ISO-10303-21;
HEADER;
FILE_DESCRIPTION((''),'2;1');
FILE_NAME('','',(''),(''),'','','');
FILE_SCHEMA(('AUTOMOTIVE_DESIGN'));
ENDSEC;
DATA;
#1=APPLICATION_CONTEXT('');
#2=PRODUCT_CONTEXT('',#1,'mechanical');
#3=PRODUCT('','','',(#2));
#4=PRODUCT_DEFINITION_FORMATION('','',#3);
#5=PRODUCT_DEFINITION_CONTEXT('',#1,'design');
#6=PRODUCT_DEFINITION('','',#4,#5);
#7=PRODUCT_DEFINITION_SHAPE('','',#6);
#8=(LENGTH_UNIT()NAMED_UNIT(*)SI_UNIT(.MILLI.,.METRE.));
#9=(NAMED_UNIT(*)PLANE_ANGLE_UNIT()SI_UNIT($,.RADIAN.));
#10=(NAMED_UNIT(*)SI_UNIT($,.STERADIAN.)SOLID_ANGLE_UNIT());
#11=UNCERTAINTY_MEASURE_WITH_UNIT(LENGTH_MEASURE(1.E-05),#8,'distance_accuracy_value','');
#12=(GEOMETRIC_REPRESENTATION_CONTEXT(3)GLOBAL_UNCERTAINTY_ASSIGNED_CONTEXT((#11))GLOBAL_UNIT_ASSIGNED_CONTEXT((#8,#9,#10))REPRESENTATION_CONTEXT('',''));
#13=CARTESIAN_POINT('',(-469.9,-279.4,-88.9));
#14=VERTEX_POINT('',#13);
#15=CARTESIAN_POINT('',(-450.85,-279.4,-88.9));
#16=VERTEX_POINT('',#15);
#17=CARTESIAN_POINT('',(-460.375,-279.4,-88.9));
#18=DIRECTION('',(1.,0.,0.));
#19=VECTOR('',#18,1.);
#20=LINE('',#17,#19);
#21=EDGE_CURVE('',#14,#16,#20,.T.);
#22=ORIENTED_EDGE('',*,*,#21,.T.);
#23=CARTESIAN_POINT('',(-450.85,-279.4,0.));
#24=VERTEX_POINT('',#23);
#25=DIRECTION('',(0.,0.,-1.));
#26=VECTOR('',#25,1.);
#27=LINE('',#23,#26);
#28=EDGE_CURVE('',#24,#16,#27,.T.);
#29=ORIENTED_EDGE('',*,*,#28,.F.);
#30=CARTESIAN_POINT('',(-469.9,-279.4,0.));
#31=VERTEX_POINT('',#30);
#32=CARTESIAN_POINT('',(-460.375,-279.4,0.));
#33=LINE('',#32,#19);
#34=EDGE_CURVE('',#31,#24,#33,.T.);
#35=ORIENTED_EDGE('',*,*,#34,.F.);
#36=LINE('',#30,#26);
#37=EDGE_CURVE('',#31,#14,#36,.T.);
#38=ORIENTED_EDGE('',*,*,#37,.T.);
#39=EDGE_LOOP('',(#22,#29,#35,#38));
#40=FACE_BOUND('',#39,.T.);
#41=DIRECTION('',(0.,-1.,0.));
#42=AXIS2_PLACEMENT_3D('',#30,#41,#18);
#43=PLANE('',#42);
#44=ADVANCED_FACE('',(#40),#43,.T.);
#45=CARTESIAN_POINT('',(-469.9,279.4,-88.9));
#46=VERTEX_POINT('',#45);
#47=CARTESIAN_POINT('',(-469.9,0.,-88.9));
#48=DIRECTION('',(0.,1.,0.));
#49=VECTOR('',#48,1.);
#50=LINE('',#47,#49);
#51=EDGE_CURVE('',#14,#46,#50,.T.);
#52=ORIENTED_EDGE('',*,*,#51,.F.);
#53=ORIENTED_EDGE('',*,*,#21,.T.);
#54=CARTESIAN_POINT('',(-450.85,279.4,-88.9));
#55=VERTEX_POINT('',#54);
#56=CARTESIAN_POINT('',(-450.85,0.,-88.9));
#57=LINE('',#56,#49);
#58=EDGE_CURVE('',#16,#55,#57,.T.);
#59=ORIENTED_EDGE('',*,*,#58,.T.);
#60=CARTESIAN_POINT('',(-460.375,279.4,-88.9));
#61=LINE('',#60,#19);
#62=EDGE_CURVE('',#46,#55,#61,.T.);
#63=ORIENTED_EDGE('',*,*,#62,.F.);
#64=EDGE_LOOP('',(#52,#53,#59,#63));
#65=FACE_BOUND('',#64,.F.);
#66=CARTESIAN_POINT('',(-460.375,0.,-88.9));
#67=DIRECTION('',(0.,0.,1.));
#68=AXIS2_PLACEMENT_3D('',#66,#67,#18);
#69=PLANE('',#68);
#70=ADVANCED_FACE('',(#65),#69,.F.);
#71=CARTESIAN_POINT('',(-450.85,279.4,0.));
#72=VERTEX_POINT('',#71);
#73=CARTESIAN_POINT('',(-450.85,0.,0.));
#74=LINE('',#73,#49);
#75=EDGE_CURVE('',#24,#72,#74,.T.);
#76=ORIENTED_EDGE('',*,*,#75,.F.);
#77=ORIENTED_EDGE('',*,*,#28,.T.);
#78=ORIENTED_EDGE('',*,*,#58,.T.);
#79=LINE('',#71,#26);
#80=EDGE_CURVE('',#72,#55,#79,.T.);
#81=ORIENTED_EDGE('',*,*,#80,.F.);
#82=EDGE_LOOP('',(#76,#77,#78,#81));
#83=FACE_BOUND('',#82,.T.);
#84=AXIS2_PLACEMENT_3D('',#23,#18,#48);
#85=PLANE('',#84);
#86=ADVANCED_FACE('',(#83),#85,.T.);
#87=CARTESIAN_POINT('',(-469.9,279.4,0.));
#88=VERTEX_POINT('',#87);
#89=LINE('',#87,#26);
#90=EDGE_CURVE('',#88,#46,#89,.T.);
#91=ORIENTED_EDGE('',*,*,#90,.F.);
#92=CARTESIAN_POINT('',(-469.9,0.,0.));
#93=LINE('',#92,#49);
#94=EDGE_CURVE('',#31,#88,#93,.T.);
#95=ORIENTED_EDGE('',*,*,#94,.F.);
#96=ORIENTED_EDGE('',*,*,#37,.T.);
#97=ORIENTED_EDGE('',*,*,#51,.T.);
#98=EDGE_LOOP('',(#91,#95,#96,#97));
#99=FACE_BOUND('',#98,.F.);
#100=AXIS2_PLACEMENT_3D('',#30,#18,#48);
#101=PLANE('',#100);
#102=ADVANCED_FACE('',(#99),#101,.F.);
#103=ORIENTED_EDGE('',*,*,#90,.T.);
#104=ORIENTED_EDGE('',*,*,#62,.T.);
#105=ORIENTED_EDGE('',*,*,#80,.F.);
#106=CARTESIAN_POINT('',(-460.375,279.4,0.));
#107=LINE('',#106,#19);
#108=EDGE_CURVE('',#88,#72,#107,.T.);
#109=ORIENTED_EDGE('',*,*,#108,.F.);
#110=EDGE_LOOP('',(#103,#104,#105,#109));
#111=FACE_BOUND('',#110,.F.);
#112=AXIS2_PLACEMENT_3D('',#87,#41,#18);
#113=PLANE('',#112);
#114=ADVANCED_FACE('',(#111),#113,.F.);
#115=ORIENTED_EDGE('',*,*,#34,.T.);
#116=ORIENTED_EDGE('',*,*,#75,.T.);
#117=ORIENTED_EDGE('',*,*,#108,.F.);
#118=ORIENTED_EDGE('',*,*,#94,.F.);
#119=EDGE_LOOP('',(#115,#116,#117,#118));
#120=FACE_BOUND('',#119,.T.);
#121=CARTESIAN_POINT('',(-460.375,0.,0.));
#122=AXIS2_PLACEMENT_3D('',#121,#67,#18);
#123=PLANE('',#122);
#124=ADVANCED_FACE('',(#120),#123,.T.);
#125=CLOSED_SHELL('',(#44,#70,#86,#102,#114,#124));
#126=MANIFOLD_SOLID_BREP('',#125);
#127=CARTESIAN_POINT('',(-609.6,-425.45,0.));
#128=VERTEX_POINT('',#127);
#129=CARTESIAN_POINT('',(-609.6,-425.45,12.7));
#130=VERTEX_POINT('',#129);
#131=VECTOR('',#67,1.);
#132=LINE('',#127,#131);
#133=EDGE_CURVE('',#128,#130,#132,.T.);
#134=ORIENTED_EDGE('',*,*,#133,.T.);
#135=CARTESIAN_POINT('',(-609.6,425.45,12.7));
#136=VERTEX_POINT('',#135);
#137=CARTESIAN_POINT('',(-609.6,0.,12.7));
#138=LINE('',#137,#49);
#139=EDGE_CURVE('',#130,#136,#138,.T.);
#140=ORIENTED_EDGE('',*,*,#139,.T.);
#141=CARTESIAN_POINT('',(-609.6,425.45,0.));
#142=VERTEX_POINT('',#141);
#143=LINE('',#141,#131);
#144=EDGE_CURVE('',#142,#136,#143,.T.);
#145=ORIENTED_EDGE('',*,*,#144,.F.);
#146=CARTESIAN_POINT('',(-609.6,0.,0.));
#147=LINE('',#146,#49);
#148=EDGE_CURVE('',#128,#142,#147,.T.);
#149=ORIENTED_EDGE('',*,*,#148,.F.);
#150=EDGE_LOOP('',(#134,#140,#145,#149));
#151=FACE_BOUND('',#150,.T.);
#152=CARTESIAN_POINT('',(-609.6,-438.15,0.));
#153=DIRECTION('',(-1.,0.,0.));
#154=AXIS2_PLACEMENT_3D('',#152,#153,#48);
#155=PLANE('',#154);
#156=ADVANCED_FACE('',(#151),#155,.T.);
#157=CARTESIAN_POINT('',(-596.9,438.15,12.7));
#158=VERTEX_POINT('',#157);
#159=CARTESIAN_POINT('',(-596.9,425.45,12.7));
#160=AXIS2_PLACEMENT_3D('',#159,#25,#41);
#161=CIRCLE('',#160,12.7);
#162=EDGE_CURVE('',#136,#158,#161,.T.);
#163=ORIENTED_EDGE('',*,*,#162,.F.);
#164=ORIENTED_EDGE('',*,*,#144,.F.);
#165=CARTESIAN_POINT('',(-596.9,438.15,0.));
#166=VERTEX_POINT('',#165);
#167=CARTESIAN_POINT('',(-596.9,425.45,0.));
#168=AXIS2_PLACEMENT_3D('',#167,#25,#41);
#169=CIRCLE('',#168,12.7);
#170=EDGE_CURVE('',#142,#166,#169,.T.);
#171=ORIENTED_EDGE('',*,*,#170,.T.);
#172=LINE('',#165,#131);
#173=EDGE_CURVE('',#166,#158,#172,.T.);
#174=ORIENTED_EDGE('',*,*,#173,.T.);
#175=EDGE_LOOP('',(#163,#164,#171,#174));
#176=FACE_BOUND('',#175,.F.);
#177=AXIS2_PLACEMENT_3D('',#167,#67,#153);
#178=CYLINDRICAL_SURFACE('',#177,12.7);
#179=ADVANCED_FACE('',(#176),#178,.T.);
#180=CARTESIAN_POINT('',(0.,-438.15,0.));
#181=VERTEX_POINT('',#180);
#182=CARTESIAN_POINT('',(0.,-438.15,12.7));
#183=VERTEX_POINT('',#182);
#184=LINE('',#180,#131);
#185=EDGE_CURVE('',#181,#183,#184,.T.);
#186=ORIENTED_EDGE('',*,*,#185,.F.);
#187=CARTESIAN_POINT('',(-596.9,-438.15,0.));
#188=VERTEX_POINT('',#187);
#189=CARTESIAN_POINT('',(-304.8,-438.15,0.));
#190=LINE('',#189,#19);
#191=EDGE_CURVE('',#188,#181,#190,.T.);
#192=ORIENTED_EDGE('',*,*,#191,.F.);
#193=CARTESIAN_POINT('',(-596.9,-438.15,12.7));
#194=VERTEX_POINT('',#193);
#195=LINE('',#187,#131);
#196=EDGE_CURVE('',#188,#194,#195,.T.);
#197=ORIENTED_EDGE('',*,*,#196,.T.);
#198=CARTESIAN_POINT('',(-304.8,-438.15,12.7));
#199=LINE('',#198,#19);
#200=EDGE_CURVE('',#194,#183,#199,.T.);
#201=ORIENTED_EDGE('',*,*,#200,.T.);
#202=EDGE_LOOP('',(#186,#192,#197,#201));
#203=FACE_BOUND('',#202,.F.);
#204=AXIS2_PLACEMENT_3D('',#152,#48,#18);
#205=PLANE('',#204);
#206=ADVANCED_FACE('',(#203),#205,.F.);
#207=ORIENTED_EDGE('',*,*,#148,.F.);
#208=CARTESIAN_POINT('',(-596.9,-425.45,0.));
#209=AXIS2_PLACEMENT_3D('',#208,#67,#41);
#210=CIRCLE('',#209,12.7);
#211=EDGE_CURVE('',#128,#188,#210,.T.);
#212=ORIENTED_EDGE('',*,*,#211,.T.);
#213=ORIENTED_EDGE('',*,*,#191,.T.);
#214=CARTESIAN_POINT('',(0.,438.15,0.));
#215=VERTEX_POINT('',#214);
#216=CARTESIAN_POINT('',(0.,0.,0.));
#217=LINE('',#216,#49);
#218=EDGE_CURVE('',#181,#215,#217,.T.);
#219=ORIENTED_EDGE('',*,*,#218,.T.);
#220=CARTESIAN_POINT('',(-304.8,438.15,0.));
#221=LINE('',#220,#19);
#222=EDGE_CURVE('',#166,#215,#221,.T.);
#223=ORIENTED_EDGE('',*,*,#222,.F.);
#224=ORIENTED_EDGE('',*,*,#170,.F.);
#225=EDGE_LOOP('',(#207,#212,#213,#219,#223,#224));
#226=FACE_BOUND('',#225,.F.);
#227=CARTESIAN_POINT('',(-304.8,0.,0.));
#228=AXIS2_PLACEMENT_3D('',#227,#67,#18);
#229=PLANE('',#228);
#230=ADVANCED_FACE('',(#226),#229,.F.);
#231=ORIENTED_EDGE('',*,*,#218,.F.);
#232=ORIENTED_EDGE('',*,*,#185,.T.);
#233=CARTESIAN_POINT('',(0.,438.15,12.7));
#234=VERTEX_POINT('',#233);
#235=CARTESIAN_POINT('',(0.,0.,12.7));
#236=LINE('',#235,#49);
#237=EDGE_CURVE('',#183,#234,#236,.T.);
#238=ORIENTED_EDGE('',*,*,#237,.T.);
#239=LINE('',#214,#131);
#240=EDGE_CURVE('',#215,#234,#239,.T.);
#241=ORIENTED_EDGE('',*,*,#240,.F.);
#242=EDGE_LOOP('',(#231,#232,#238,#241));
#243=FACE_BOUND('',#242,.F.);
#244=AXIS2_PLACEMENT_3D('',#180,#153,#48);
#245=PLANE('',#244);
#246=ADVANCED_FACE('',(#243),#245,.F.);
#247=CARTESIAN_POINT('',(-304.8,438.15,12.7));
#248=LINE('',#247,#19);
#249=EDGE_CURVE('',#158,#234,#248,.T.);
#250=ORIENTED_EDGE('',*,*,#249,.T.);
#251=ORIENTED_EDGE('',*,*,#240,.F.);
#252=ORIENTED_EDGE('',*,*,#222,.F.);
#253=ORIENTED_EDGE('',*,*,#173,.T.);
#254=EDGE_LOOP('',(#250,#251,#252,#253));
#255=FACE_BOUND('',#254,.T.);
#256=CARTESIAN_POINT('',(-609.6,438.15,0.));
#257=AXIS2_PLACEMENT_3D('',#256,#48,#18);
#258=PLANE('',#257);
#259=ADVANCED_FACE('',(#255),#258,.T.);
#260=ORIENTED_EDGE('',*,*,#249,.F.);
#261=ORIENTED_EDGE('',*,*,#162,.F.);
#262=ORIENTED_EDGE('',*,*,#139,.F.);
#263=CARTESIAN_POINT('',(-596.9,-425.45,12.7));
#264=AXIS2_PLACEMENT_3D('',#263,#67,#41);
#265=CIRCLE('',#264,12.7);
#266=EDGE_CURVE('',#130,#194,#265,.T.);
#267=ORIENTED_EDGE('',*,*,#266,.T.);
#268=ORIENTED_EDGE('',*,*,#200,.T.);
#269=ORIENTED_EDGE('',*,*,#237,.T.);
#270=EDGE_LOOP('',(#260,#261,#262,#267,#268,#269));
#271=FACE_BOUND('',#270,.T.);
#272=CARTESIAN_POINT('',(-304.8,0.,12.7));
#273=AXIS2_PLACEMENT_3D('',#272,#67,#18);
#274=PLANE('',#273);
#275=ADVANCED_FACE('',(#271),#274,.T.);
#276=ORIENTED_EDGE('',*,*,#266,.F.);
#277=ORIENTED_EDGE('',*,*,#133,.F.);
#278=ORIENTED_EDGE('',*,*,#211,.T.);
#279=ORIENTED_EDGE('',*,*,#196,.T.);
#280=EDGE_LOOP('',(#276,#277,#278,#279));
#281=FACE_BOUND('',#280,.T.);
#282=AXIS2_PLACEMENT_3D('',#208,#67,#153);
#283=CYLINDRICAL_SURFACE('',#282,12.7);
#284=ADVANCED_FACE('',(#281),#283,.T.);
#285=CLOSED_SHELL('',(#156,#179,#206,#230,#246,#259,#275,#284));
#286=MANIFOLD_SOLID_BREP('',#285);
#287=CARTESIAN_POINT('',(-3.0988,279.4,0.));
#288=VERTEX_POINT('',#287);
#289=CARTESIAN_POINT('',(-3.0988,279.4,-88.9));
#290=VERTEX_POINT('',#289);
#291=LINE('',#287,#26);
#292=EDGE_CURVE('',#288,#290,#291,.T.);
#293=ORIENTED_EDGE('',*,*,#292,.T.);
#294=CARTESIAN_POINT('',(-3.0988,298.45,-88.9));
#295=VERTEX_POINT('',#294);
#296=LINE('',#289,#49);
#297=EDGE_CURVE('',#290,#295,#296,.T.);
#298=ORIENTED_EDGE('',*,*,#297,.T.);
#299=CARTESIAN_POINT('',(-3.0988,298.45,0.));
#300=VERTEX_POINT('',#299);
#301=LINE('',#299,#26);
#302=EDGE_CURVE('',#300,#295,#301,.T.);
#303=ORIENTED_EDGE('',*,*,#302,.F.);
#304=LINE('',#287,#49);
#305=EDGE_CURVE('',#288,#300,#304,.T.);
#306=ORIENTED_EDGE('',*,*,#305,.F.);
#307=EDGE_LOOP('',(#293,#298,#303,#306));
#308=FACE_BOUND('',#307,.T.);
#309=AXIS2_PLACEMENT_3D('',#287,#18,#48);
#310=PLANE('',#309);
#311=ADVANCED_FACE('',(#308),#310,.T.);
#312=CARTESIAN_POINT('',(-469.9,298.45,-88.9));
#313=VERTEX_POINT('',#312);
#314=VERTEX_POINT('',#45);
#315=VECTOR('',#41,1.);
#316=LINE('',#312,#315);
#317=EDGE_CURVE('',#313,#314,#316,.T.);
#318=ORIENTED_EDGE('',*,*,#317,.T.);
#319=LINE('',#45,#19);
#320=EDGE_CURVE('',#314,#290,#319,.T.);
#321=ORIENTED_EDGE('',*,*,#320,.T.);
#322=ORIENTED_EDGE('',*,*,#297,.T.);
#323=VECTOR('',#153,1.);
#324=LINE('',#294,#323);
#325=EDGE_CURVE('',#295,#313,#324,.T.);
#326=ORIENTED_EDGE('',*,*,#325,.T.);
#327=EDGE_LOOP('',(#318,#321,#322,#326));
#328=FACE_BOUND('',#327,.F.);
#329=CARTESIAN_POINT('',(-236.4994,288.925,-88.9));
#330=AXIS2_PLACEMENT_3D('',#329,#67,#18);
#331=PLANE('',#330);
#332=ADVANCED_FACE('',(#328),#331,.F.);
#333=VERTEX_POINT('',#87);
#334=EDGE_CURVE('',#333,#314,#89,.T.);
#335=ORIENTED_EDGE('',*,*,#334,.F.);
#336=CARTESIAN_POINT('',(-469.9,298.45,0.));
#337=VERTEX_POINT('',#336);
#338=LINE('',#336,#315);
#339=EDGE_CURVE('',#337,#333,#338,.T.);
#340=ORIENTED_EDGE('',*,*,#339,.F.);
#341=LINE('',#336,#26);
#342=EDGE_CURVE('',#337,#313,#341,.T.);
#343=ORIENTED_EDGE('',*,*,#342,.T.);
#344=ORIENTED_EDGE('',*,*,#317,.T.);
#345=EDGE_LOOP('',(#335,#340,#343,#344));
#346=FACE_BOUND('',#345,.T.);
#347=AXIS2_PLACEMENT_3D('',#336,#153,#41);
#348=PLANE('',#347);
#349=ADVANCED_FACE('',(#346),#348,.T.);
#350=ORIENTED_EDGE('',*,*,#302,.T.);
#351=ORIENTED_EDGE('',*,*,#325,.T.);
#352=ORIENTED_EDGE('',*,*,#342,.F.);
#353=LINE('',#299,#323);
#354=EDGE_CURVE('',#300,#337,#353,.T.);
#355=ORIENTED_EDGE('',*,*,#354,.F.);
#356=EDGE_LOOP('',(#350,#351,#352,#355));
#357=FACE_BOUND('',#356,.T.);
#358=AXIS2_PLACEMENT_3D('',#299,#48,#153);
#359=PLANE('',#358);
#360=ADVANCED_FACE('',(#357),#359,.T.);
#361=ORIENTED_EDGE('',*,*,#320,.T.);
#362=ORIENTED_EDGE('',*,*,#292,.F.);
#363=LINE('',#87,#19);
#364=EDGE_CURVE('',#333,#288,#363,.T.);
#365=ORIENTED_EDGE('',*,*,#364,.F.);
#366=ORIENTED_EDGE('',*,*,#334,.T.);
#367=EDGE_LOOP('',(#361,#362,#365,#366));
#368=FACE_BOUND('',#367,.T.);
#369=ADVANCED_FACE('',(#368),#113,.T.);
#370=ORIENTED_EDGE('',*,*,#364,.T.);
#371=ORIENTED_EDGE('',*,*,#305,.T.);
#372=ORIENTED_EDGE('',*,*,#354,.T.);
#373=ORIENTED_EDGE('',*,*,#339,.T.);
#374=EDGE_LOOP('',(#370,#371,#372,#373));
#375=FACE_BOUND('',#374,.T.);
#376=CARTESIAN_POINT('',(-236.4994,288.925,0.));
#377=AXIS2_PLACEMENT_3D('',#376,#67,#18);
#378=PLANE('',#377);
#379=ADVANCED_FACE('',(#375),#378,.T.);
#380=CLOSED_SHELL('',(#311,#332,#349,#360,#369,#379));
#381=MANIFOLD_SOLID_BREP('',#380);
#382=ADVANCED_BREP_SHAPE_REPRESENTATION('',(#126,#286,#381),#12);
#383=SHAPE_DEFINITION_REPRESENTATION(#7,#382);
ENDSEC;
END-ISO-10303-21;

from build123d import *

# Parameters (mm, degrees)
F1_DEPTH = 88.9
F0_W     = 19.05
F0_H     = 558.8
F2_DEPTH = 88.9
F3_W     = 609.6
F3_H     = 876.3
F4_DEPTH = 12.7
F5_R     = 12.7


with BuildPart() as f1:
    # F0 (on Top) → F1 (new body)
    with BuildSketch(Plane.XY):
        Polygon((-469.9, 298.45), (-469.9, 279.4), (-450.85, 279.4), (-22.1488, 279.4), (-3.0988, 279.4), (-3.0988, 298.45), align=None)
    extrude(amount=-F1_DEPTH)


with BuildPart() as f2:
    # F0 (on Top) → F2 (new body, through all)
    with BuildSketch(Plane.XY):
        with Locations((-460.375, 0)):
            Rectangle(F0_W, F0_H)
    extrude(amount=-F2_DEPTH)


with BuildPart() as f4:
    # F3 (on Top) → F4 (new body)
    with BuildSketch(Plane.XY):
        with Locations((-304.8, 0)):
            Rectangle(F3_W, F3_H)
    extrude(amount=F4_DEPTH)

    # F5
    f5_edges = [f4.edges().sort_by_distance(p)[0] for p in [
        (-609.6, -438.15, 6.35),
        (-609.6, 438.15, 6.35),
    ]]
    fillet(f5_edges, radius=F5_R)


solid = Compound([f1.part, f2.part, f4.part])
